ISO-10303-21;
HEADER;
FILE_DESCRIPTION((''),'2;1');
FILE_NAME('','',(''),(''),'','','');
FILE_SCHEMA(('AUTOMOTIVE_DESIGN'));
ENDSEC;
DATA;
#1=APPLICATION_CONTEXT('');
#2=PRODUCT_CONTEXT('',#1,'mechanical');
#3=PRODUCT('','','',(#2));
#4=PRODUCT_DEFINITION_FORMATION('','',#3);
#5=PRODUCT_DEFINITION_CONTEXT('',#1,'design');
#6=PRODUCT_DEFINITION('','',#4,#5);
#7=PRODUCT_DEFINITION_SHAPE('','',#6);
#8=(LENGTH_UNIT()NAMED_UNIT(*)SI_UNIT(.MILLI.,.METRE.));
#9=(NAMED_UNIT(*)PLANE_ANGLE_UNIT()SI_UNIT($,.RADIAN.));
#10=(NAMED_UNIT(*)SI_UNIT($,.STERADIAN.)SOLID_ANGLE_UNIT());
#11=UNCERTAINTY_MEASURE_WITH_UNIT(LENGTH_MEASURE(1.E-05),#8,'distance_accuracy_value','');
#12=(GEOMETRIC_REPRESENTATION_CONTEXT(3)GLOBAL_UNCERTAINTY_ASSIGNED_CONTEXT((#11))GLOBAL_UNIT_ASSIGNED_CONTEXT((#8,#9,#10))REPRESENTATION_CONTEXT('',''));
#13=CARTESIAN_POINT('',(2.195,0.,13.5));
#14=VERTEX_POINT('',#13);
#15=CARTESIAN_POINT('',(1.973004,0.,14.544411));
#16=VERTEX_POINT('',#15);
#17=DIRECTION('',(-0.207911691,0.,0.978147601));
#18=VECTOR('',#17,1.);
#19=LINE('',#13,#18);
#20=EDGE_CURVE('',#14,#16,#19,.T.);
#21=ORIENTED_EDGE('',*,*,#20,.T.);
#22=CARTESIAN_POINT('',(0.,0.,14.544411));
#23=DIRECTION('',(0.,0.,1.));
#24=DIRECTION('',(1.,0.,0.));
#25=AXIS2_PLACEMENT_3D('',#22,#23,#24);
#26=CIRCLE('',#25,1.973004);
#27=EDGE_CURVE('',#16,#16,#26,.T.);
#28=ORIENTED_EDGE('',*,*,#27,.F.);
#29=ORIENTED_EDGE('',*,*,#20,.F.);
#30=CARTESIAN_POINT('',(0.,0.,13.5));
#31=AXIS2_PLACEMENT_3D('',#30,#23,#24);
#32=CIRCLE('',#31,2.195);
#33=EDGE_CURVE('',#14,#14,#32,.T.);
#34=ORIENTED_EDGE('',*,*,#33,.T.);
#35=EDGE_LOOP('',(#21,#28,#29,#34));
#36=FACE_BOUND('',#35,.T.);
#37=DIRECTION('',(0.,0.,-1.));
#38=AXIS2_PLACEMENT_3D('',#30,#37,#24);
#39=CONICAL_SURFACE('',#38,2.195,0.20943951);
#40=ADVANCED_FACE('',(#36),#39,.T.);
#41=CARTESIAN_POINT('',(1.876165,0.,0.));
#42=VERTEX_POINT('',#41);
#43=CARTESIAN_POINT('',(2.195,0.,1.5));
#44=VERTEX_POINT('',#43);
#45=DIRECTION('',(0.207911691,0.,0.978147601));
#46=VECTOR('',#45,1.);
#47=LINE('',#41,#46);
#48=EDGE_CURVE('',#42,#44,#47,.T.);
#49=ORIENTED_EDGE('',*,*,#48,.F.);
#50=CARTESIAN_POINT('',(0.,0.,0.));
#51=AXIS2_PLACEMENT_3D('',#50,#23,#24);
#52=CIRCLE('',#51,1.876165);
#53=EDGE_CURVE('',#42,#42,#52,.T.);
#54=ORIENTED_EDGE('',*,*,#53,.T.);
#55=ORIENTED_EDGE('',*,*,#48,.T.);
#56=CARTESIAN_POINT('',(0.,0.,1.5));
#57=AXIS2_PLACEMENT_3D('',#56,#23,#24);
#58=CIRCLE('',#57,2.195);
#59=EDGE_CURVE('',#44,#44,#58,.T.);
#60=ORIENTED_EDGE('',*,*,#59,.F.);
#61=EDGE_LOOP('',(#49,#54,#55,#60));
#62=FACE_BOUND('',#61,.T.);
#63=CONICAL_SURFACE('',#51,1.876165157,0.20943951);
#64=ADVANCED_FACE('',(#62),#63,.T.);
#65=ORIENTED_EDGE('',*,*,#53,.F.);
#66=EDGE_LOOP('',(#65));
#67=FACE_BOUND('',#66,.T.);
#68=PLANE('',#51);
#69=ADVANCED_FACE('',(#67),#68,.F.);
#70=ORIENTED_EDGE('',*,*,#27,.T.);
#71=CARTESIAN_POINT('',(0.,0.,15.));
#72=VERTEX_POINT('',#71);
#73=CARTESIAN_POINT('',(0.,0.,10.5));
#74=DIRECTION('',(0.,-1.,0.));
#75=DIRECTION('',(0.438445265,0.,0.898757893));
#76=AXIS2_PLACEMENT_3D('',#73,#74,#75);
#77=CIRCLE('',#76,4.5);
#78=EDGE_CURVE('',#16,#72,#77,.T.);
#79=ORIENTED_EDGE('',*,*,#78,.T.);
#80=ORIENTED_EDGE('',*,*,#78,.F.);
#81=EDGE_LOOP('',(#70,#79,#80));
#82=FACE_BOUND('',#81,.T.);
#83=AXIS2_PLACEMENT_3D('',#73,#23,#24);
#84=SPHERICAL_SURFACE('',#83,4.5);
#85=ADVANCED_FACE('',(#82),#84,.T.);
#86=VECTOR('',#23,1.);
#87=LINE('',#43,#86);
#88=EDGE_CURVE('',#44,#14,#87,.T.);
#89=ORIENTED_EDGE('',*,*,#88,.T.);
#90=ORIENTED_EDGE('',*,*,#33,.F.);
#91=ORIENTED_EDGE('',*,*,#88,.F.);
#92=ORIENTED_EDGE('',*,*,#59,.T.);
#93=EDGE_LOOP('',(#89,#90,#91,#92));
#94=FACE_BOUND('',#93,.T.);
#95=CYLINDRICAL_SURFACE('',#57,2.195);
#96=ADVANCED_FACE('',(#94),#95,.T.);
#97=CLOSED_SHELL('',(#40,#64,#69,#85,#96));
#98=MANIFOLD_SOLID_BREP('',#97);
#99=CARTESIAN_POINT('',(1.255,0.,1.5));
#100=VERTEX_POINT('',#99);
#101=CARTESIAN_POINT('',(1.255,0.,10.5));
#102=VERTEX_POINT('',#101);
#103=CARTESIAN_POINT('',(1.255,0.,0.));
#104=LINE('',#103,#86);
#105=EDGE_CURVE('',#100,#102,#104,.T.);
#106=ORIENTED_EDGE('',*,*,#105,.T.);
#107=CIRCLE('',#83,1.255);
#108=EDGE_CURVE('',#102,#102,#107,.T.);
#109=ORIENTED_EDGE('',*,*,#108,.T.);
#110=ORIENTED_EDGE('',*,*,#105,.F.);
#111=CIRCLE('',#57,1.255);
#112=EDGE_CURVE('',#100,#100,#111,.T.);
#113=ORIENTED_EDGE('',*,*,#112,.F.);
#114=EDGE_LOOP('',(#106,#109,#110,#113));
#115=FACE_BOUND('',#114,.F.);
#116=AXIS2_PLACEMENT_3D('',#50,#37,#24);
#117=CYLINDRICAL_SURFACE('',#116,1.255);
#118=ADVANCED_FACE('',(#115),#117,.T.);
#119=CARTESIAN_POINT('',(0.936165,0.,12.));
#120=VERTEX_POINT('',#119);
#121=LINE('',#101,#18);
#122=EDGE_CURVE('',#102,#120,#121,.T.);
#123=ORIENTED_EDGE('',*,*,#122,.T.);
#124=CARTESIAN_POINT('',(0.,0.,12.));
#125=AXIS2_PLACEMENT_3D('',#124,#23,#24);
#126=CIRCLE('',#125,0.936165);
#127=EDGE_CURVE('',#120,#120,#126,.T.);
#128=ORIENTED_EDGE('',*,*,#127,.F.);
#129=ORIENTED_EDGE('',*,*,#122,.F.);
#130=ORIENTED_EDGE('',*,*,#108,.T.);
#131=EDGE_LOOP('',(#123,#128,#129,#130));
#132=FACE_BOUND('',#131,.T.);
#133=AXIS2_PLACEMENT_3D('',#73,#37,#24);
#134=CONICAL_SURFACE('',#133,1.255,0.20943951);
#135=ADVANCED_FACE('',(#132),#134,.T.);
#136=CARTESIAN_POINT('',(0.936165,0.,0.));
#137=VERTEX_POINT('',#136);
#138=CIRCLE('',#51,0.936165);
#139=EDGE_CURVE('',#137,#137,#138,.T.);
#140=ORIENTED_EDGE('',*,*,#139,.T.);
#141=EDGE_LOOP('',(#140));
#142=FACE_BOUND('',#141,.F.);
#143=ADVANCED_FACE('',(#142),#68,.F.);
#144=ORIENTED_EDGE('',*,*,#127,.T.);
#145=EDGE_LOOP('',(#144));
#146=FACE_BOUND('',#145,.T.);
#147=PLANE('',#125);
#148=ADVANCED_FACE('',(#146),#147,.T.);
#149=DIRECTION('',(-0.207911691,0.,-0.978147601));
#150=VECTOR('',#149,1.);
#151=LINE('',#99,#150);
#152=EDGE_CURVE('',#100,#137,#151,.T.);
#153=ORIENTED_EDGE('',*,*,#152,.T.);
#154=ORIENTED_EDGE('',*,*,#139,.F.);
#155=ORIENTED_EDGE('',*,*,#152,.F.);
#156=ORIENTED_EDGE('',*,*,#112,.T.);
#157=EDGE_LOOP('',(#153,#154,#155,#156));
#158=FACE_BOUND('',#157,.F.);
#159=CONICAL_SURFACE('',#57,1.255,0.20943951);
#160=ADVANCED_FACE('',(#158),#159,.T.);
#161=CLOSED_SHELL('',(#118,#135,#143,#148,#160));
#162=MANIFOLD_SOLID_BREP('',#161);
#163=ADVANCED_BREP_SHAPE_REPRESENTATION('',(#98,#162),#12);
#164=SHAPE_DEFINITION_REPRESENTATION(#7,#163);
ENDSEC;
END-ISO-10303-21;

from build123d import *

# Parameters (mm, degrees)
F0_R     = 0.4183333333
F1_DEPTH = 4
F2_SIZE2 = 0.1062782808
F2_SIZE  = 0.5
F5_SCALE = 3


with BuildPart() as f1:
    # F0 (on Top) → F1 (new body)
    with BuildSketch(Plane.XY):
        Circle(F0_R)
    extrude(amount=F1_DEPTH)

    # F2
    f2_edges = [f1.edges().sort_by_distance(p)[0] for p in [
        (-0.418333, 0, 4),
        (-0.418333, 0, 0),
    ]]
    f2_side = f1.faces().sort_by_distance((-0.418333, 0, 2))[0]
    chamfer(f2_edges, length=F2_SIZE, length2=F2_SIZE2, reference=f2_side)


with BuildPart() as f4:
    # F3 (on Front) → F4 (revolve)
    with BuildSketch(Plane.XZ):
        with BuildLine():
            Line((0, 5), (0, 0))
            Line((0, 0), (0.6253883858, 0))
            Line((0.6253883858, 0), (0.7316666667, 0.5))
            Line((0.7316666667, 0.5), (0.7316666667, 4.5))
            Line((0.7316666667, 4.5), (0.6576678971, 4.8481368391))
            ThreePointArc((0.6576678971, 4.8481368391), (0.3374868451, 4.9615411829), (0, 5))
        make_face()
    revolve(axis=Axis((0, 0, 2.5), (0, 0, 1)))


with BuildPart() as f1_1:
    # F5: moved
    add(f1.part.scale(F5_SCALE))


with BuildPart() as f4_1:
    # F5: moved
    add(f4.part.scale(F5_SCALE))


solid = Compound([f1_1.part, f4_1.part])
